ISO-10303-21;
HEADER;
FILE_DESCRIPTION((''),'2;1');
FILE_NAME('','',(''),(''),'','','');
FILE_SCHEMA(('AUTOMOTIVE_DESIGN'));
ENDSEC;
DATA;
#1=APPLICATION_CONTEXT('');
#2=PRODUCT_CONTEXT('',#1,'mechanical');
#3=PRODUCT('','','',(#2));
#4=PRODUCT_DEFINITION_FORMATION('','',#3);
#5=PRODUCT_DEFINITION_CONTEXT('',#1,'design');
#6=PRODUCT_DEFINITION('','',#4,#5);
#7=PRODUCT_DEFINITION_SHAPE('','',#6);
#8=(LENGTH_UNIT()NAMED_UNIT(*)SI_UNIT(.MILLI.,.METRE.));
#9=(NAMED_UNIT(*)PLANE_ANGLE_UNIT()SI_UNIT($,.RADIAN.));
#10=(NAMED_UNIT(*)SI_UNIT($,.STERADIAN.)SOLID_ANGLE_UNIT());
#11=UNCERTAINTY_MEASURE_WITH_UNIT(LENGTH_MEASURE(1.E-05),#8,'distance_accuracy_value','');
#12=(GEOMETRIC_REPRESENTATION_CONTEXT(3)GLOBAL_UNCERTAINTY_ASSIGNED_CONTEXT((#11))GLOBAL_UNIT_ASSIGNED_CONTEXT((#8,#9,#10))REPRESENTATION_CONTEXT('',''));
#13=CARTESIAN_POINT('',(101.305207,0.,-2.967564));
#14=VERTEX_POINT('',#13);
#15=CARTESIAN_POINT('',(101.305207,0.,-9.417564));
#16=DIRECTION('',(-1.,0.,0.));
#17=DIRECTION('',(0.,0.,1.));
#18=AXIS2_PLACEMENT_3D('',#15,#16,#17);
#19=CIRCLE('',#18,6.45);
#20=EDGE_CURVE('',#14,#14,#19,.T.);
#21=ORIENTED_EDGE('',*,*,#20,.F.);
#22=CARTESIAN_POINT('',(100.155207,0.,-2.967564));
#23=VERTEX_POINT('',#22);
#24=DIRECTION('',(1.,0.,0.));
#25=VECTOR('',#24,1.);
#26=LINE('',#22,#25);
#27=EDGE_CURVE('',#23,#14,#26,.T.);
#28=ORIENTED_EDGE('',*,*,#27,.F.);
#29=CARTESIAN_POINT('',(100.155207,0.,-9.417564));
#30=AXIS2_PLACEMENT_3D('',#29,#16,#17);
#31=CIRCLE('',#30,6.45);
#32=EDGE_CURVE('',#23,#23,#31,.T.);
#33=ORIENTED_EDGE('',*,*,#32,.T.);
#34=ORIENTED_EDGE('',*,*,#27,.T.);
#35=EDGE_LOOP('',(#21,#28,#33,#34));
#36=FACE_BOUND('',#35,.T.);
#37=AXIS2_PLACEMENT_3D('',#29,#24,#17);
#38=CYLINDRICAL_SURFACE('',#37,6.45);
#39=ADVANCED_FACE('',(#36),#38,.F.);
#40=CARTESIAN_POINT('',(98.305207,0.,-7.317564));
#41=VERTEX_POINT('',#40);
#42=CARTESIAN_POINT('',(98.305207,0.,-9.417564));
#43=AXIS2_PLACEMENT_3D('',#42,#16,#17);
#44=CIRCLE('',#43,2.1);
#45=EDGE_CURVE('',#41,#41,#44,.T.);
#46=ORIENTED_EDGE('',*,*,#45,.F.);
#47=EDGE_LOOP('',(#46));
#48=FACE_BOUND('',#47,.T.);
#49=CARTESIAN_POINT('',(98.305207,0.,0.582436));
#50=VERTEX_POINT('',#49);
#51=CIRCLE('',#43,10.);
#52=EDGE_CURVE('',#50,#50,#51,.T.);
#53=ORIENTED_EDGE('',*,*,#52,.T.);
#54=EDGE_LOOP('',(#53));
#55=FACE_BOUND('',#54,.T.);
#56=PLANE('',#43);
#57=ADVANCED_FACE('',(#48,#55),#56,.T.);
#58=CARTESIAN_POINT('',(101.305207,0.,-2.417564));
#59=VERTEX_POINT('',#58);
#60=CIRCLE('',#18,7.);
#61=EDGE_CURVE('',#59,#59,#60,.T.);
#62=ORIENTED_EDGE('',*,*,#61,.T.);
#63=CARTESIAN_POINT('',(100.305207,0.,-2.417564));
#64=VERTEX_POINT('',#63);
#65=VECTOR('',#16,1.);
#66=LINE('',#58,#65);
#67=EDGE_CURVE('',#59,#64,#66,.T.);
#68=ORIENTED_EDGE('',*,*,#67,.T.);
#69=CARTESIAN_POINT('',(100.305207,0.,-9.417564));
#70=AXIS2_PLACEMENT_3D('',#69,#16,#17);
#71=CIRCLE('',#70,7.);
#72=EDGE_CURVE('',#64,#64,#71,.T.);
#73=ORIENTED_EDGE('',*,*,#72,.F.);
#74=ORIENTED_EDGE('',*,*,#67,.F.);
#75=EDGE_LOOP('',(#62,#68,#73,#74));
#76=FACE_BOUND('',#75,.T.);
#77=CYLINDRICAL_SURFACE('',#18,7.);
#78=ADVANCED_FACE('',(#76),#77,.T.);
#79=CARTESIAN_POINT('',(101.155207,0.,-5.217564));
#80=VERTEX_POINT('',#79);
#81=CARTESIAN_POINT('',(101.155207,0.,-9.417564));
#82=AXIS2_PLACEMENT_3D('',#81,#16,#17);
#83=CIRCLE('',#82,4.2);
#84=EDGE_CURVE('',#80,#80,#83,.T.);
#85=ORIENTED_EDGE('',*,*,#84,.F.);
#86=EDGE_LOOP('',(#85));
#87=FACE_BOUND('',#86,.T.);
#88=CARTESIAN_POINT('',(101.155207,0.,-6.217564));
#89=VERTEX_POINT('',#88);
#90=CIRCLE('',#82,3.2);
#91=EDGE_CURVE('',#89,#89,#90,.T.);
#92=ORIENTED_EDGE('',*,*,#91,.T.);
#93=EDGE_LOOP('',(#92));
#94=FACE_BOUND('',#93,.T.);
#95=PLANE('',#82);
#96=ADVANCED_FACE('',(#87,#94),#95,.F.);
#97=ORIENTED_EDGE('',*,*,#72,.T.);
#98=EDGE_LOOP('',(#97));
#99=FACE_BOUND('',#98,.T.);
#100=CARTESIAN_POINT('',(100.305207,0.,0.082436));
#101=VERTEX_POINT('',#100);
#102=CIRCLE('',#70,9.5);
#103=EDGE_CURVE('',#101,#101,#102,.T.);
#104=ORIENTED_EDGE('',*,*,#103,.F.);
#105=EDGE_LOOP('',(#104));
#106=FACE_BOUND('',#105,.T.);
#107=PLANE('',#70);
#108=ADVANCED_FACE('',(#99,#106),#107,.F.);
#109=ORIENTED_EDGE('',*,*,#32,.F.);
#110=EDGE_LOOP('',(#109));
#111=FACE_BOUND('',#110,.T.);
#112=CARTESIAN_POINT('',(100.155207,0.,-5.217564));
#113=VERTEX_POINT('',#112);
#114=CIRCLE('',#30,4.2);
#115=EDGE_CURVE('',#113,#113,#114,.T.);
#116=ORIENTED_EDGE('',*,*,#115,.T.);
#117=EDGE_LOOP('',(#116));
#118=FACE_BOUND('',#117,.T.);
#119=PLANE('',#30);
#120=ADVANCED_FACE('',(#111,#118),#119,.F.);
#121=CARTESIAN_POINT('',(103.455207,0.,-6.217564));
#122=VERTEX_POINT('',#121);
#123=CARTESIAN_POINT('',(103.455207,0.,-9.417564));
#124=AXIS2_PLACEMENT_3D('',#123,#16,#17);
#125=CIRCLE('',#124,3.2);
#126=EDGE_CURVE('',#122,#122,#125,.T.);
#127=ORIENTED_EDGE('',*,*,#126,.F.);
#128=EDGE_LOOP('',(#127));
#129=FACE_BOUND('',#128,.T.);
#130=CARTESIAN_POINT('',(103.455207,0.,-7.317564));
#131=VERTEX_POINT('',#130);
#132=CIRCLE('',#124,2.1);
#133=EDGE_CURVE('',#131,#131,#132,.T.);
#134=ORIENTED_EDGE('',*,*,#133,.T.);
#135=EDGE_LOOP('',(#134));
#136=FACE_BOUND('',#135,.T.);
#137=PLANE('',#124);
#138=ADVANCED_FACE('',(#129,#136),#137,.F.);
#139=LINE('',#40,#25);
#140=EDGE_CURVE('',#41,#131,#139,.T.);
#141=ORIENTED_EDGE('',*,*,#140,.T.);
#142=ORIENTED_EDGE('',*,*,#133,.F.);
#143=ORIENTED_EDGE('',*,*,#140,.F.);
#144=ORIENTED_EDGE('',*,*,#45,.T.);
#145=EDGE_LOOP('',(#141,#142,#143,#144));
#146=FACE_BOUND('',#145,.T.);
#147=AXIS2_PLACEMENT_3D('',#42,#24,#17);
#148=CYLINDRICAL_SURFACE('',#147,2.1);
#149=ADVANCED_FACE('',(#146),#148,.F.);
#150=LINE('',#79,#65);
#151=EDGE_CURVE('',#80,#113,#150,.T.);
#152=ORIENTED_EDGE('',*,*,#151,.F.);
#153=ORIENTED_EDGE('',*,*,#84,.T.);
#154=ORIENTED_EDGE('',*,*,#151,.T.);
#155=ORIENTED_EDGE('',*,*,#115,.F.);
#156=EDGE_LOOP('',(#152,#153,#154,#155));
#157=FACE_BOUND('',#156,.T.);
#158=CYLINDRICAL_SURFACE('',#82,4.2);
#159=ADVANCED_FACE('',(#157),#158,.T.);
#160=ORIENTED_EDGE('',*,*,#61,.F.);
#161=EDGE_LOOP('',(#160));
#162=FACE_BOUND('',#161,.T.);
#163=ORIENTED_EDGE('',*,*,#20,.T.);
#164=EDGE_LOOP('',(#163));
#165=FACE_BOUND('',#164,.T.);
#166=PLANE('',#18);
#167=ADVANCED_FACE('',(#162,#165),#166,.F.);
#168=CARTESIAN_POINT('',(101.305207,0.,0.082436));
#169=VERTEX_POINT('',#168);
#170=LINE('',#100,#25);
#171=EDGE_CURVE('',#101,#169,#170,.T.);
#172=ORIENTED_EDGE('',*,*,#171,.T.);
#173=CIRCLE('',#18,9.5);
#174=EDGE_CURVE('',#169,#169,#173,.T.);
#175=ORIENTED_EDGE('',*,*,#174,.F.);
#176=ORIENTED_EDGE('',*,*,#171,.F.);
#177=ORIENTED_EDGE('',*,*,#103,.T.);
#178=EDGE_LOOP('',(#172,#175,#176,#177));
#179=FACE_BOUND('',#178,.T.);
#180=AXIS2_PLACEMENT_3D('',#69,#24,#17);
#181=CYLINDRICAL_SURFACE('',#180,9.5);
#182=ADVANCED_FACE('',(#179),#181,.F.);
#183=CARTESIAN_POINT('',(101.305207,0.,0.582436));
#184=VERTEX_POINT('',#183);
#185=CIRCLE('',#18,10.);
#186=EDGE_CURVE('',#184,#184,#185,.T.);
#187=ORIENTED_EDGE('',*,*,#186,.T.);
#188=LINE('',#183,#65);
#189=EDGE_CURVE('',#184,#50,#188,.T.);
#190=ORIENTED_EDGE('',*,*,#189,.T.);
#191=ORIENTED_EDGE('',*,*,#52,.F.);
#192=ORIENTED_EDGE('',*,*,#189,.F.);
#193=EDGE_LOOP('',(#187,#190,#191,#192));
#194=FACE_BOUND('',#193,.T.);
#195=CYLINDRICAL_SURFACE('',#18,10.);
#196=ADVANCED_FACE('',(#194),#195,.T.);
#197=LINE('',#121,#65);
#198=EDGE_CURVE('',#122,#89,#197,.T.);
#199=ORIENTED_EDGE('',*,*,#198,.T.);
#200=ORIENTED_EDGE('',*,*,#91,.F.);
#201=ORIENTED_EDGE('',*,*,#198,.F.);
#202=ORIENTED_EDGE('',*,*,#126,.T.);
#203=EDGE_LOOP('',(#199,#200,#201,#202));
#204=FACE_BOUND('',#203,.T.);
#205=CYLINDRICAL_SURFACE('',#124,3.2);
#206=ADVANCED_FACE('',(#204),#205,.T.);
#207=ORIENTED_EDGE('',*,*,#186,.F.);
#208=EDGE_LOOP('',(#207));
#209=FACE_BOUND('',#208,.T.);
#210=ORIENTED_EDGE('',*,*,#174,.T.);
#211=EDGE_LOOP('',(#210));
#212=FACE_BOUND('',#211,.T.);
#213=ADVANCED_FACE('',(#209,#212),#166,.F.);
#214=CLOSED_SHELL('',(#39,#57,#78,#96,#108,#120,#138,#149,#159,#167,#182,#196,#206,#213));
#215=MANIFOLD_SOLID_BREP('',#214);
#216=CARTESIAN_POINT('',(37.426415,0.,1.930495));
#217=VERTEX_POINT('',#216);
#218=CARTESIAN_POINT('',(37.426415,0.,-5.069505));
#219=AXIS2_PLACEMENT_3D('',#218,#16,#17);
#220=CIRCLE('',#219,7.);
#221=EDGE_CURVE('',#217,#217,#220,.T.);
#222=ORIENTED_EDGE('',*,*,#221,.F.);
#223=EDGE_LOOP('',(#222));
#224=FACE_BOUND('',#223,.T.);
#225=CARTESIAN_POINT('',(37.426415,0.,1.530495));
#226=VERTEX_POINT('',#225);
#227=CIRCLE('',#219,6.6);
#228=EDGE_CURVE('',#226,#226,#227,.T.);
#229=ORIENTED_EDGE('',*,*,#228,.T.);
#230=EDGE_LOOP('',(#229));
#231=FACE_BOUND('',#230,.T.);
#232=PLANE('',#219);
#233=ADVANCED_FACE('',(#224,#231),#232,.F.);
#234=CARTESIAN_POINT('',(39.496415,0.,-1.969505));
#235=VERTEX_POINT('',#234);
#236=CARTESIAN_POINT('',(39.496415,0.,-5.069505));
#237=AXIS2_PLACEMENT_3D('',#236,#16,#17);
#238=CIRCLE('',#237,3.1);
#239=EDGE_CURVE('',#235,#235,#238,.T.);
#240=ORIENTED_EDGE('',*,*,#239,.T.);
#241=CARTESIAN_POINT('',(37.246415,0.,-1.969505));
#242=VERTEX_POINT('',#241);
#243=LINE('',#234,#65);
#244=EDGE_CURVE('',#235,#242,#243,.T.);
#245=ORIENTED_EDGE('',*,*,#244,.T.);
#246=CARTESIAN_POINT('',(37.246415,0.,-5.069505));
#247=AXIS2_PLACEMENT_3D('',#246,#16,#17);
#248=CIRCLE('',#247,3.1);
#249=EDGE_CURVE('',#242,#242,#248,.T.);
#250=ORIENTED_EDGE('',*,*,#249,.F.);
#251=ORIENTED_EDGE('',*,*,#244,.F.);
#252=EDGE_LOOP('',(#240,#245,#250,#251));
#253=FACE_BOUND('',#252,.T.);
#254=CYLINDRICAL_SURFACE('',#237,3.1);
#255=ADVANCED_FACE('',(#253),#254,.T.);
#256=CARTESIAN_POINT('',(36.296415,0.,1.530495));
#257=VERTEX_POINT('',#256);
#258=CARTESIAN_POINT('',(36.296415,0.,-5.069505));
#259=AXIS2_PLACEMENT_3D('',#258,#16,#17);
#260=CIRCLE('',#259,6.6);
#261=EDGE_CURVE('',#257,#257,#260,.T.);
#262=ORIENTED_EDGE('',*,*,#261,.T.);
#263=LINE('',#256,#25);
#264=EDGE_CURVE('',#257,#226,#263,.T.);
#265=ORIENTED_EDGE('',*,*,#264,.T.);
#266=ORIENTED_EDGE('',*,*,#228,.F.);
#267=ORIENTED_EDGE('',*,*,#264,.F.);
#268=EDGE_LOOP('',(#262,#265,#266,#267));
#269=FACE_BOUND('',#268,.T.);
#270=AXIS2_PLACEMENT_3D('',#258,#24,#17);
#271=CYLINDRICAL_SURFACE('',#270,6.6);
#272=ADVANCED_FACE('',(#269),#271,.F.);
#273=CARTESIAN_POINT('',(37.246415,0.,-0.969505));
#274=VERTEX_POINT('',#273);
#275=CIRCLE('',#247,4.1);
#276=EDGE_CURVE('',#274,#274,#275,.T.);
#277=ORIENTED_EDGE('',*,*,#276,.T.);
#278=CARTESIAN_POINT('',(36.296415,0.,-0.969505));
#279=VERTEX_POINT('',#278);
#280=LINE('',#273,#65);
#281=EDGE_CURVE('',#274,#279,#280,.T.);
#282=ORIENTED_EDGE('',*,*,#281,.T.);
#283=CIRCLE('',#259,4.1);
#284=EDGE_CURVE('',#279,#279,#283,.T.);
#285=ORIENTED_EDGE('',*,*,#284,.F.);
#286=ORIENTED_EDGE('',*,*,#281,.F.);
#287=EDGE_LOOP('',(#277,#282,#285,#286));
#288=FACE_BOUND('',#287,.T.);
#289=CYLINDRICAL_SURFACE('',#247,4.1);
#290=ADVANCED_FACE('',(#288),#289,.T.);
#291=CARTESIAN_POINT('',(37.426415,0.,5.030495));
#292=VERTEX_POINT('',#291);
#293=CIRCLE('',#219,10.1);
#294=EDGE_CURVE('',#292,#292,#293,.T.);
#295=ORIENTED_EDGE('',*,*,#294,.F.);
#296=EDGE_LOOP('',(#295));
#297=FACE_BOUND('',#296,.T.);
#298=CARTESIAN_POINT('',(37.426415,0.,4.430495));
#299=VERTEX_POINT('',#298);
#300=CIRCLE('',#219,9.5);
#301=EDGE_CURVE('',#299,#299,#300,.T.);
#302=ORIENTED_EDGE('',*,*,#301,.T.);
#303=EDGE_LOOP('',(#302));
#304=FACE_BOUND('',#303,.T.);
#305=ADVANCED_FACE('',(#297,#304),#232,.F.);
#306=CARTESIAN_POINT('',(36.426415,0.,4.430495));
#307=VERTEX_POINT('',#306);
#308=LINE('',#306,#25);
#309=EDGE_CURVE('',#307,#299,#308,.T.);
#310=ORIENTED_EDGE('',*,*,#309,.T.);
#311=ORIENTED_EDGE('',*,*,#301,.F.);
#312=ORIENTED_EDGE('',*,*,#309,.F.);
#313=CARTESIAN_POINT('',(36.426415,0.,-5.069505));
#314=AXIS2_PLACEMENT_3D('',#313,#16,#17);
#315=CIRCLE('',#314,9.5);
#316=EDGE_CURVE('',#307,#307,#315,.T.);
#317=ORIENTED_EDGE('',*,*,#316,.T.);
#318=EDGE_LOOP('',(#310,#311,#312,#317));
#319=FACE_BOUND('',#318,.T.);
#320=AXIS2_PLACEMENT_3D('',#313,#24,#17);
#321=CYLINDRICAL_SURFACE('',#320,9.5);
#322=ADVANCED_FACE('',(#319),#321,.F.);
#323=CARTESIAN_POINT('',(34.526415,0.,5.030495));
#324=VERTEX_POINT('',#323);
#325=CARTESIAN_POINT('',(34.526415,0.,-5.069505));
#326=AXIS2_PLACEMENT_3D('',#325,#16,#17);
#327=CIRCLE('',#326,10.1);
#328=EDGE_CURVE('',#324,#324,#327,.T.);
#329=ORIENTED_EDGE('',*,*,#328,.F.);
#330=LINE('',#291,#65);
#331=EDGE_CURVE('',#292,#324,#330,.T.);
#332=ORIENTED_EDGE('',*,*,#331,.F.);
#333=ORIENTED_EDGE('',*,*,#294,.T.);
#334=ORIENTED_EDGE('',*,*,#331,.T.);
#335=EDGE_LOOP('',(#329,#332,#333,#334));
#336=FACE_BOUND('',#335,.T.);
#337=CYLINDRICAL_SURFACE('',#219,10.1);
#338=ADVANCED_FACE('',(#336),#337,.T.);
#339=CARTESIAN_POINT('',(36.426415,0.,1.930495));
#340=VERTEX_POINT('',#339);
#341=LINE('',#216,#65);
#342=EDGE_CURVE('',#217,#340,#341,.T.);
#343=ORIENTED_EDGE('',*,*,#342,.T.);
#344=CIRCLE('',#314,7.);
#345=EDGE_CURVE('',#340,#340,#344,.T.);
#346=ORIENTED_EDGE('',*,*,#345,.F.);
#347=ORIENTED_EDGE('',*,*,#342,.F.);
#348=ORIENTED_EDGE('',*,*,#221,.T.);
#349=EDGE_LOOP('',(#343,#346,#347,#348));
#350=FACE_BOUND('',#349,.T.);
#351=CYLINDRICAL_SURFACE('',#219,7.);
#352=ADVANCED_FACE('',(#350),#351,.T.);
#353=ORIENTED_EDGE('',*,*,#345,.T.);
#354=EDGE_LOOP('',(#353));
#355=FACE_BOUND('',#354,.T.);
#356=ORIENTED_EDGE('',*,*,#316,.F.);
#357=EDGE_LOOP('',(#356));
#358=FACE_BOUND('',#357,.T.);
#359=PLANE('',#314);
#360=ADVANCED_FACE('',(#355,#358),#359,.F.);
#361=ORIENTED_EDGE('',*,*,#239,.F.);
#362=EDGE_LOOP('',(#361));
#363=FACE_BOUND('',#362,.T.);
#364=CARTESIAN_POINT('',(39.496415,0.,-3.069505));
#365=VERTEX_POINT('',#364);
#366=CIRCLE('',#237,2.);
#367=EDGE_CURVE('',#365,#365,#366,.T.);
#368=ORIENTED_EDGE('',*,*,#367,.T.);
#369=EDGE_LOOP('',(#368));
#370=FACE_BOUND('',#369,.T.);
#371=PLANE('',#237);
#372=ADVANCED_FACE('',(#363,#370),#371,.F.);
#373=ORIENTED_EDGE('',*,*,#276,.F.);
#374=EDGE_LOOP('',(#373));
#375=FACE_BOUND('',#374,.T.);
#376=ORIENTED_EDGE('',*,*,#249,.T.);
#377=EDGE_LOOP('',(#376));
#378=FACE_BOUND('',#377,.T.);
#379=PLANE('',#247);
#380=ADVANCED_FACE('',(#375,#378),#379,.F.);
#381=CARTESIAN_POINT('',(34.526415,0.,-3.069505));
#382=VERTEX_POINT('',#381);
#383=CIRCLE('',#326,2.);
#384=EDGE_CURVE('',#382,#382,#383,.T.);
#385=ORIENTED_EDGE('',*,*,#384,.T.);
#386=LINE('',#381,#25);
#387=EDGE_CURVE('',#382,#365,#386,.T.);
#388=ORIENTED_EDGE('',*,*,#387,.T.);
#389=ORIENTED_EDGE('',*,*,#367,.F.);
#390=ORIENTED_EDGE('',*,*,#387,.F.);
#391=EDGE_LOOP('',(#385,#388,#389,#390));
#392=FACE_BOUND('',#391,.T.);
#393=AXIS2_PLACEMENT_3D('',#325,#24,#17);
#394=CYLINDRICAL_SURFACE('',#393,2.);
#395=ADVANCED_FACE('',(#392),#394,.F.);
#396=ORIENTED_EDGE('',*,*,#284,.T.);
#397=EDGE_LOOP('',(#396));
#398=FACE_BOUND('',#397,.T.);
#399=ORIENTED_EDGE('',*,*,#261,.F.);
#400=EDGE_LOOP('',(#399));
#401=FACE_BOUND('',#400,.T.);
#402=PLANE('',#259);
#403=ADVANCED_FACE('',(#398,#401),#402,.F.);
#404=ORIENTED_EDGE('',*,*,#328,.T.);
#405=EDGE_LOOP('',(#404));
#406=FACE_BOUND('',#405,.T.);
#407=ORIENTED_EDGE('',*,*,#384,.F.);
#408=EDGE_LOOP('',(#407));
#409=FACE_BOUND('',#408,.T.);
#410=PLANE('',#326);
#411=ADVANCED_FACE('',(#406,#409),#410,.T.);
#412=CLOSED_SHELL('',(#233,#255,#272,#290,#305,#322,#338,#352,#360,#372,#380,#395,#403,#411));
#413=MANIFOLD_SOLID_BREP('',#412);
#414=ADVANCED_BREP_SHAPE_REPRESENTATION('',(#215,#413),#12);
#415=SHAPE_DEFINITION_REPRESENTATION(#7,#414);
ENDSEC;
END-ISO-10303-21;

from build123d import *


with BuildPart() as f3:
    # F1 (on Front) → F3 (revolve)
    with BuildSketch(Plane.XZ):
        Polygon((34.526415, -3.069505), (39.496415, -3.069505), (39.496415, -1.969505), (37.246415, -1.969505), (37.246415, -0.969505), (36.296415, -0.969505), (36.296415, 1.530495), (37.426415, 1.530495), (37.426415, 1.930495), (36.426415, 1.930495), (36.426415, 4.430495), (37.426415, 4.430495), (37.426415, 5.030495), (34.526415, 5.030495), align=None)
    revolve(axis=Axis((38.857302, 0, -5.069505), (-1, 0, 0)))


with BuildPart() as f5:
    # F4 (on Front) → F5 (revolve)
    with BuildSketch(Plane.XZ):
        Polygon((98.305207, -7.317564), (103.455207, -7.317564), (103.455207, -6.217564), (101.155207, -6.217564), (101.155207, -5.217564), (100.155207, -5.217564), (100.155207, -2.967564), (101.305207, -2.967564), (101.305207, -2.417564), (100.305207, -2.417564), (100.305207, 0.082436), (101.305207, 0.082436), (101.305207, 0.582436), (98.305207, 0.582436), align=None)
    revolve(axis=Axis((102.816093, 0, -9.417564), (-1, 0, 0)))


solid = Compound([f3.part, f5.part])
